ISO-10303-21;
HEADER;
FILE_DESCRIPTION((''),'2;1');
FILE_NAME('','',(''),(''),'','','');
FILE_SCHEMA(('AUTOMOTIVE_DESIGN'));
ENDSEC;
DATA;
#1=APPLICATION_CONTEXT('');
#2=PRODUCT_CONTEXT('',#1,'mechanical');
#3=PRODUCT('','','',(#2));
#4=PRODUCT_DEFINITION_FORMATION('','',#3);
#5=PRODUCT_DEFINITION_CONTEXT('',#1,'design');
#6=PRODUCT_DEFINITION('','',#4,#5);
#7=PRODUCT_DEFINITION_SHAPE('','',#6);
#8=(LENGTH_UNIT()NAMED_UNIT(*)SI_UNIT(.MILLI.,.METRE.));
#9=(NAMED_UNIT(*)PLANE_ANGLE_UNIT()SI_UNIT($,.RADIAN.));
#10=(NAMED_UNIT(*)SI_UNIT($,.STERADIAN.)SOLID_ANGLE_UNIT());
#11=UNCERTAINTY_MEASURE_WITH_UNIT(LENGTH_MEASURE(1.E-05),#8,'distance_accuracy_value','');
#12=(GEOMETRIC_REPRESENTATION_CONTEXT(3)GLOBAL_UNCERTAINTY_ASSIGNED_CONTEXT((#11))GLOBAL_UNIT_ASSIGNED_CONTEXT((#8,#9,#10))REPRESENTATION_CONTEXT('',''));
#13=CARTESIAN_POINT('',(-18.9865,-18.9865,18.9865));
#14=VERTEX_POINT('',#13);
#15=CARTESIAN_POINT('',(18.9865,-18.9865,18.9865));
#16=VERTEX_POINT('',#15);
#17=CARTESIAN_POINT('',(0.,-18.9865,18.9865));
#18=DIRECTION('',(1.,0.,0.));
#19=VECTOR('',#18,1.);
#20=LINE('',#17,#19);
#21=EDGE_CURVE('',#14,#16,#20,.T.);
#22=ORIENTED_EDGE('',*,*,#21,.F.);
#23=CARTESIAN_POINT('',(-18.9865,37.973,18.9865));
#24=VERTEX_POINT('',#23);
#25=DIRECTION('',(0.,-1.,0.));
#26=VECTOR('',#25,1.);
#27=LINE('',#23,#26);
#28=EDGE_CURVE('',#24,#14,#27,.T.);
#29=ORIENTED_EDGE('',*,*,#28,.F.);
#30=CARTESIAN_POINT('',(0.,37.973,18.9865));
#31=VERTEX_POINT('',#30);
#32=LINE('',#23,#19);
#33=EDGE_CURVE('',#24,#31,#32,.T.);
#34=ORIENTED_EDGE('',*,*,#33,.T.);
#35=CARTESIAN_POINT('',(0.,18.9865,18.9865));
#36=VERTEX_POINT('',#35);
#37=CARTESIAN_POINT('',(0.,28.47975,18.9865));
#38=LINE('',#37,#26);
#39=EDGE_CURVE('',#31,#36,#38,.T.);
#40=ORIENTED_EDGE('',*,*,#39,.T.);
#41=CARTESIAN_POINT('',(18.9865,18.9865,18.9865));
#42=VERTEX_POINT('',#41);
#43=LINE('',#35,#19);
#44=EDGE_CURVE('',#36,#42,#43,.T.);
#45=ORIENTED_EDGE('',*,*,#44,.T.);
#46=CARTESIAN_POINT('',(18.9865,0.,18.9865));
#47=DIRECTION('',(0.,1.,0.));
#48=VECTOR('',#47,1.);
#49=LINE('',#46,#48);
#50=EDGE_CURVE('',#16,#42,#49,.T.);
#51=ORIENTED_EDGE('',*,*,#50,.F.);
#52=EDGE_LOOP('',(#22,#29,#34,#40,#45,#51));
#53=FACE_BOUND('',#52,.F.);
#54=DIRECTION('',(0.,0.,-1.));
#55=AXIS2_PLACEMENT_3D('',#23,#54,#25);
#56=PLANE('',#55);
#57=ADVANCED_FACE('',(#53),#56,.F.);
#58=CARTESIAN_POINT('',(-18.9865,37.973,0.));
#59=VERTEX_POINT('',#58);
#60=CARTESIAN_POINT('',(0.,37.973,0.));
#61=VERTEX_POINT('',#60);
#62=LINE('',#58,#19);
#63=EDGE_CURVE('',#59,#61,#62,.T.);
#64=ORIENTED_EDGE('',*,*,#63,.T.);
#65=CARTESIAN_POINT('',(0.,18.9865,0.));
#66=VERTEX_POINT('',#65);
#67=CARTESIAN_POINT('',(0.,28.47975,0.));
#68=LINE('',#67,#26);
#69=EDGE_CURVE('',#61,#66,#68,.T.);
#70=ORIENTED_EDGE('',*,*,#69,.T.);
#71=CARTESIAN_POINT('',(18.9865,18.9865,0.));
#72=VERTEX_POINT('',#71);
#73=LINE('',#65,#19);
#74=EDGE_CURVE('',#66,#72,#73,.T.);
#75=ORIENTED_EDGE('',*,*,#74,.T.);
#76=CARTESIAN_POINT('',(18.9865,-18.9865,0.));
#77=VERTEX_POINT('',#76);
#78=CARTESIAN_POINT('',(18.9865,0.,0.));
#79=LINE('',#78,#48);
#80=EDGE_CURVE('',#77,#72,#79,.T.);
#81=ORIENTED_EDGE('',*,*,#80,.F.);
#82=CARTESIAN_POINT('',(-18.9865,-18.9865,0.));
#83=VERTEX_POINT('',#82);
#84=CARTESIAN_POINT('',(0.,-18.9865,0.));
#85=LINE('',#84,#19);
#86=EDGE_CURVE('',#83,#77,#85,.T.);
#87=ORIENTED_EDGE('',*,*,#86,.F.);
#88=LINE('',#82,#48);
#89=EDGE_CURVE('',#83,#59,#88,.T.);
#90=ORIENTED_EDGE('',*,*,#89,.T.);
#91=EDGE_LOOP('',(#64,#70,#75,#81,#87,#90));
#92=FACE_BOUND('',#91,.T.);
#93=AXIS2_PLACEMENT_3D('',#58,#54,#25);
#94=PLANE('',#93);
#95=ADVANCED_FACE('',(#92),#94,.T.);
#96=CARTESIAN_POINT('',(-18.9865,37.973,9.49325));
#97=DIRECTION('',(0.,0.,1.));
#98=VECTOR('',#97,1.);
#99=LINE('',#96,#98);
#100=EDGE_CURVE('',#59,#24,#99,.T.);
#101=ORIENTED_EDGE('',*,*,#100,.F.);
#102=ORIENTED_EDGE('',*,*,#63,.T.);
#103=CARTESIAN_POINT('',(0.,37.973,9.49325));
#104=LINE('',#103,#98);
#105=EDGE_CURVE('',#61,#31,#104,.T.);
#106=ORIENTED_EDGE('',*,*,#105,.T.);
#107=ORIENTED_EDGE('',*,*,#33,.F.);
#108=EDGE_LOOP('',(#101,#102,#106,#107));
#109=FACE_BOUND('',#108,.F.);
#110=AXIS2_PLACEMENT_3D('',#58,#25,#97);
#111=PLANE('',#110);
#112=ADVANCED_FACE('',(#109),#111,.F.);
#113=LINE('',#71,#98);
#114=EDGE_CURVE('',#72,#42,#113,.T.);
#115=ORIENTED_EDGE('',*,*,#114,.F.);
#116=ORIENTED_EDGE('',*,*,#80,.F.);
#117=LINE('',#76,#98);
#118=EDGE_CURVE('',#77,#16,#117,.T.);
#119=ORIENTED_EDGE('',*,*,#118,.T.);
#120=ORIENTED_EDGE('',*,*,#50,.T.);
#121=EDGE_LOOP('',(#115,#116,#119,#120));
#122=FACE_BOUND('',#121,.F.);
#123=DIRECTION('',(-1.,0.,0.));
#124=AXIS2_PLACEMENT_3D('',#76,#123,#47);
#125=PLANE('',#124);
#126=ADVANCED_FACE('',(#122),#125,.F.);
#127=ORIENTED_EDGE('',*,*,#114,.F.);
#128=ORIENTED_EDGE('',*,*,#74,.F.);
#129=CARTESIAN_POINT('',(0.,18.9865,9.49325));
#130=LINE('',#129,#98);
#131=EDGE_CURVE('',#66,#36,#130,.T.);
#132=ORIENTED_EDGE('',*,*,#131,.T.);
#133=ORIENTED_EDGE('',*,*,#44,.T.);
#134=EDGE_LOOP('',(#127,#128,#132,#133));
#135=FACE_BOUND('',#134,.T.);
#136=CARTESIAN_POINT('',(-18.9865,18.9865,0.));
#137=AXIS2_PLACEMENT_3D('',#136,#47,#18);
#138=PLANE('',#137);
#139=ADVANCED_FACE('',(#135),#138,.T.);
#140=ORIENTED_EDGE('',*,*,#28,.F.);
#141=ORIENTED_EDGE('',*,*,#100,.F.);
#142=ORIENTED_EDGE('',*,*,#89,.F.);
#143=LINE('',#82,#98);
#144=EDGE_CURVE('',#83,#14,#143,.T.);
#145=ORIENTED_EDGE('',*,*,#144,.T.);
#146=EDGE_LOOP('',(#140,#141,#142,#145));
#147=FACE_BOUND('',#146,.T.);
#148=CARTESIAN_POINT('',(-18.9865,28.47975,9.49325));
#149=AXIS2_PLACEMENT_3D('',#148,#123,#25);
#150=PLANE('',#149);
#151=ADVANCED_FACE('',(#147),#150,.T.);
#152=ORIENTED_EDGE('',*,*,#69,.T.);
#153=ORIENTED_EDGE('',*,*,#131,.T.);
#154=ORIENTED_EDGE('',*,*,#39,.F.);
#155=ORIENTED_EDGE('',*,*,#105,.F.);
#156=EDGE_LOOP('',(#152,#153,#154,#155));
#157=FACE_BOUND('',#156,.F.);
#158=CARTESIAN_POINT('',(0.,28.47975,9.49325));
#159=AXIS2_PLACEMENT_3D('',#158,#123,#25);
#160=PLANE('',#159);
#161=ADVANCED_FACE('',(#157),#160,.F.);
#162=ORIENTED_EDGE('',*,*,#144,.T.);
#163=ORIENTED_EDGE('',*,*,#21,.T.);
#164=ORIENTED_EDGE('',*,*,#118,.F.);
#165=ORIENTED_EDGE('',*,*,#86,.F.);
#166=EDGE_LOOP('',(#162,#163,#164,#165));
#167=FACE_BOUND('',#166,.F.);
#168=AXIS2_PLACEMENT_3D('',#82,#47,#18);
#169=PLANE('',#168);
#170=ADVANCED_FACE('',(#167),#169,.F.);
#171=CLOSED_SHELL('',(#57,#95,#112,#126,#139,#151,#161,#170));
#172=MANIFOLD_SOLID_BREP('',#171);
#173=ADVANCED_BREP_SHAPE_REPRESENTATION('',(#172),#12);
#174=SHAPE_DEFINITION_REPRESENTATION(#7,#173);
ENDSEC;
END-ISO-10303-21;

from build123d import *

# Parameters (mm, degrees)
F0_W     = 37.973
F0_H     = 37.973
F1_DEPTH = 18.9865
F2_W     = 18.9865
F2_H     = 18.9865
F3_DEPTH = 18.9865


with BuildPart() as f1:
    # F0 (on Top) → F1 (new body)
    with BuildSketch(Plane.XY):
        Rectangle(F0_W, F0_H)
    extrude(amount=F1_DEPTH)

    # F2 (on face) → F3 (join)
    with BuildSketch(Plane(origin=(-18.9865, 0, 0), x_dir=(0, -1, 0), z_dir=(-1, 0, 0))):
        with Locations((-28.47975, 9.49325)):
            Rectangle(F2_W, F2_H)
    extrude(amount=-F3_DEPTH)


solid = f1.part
